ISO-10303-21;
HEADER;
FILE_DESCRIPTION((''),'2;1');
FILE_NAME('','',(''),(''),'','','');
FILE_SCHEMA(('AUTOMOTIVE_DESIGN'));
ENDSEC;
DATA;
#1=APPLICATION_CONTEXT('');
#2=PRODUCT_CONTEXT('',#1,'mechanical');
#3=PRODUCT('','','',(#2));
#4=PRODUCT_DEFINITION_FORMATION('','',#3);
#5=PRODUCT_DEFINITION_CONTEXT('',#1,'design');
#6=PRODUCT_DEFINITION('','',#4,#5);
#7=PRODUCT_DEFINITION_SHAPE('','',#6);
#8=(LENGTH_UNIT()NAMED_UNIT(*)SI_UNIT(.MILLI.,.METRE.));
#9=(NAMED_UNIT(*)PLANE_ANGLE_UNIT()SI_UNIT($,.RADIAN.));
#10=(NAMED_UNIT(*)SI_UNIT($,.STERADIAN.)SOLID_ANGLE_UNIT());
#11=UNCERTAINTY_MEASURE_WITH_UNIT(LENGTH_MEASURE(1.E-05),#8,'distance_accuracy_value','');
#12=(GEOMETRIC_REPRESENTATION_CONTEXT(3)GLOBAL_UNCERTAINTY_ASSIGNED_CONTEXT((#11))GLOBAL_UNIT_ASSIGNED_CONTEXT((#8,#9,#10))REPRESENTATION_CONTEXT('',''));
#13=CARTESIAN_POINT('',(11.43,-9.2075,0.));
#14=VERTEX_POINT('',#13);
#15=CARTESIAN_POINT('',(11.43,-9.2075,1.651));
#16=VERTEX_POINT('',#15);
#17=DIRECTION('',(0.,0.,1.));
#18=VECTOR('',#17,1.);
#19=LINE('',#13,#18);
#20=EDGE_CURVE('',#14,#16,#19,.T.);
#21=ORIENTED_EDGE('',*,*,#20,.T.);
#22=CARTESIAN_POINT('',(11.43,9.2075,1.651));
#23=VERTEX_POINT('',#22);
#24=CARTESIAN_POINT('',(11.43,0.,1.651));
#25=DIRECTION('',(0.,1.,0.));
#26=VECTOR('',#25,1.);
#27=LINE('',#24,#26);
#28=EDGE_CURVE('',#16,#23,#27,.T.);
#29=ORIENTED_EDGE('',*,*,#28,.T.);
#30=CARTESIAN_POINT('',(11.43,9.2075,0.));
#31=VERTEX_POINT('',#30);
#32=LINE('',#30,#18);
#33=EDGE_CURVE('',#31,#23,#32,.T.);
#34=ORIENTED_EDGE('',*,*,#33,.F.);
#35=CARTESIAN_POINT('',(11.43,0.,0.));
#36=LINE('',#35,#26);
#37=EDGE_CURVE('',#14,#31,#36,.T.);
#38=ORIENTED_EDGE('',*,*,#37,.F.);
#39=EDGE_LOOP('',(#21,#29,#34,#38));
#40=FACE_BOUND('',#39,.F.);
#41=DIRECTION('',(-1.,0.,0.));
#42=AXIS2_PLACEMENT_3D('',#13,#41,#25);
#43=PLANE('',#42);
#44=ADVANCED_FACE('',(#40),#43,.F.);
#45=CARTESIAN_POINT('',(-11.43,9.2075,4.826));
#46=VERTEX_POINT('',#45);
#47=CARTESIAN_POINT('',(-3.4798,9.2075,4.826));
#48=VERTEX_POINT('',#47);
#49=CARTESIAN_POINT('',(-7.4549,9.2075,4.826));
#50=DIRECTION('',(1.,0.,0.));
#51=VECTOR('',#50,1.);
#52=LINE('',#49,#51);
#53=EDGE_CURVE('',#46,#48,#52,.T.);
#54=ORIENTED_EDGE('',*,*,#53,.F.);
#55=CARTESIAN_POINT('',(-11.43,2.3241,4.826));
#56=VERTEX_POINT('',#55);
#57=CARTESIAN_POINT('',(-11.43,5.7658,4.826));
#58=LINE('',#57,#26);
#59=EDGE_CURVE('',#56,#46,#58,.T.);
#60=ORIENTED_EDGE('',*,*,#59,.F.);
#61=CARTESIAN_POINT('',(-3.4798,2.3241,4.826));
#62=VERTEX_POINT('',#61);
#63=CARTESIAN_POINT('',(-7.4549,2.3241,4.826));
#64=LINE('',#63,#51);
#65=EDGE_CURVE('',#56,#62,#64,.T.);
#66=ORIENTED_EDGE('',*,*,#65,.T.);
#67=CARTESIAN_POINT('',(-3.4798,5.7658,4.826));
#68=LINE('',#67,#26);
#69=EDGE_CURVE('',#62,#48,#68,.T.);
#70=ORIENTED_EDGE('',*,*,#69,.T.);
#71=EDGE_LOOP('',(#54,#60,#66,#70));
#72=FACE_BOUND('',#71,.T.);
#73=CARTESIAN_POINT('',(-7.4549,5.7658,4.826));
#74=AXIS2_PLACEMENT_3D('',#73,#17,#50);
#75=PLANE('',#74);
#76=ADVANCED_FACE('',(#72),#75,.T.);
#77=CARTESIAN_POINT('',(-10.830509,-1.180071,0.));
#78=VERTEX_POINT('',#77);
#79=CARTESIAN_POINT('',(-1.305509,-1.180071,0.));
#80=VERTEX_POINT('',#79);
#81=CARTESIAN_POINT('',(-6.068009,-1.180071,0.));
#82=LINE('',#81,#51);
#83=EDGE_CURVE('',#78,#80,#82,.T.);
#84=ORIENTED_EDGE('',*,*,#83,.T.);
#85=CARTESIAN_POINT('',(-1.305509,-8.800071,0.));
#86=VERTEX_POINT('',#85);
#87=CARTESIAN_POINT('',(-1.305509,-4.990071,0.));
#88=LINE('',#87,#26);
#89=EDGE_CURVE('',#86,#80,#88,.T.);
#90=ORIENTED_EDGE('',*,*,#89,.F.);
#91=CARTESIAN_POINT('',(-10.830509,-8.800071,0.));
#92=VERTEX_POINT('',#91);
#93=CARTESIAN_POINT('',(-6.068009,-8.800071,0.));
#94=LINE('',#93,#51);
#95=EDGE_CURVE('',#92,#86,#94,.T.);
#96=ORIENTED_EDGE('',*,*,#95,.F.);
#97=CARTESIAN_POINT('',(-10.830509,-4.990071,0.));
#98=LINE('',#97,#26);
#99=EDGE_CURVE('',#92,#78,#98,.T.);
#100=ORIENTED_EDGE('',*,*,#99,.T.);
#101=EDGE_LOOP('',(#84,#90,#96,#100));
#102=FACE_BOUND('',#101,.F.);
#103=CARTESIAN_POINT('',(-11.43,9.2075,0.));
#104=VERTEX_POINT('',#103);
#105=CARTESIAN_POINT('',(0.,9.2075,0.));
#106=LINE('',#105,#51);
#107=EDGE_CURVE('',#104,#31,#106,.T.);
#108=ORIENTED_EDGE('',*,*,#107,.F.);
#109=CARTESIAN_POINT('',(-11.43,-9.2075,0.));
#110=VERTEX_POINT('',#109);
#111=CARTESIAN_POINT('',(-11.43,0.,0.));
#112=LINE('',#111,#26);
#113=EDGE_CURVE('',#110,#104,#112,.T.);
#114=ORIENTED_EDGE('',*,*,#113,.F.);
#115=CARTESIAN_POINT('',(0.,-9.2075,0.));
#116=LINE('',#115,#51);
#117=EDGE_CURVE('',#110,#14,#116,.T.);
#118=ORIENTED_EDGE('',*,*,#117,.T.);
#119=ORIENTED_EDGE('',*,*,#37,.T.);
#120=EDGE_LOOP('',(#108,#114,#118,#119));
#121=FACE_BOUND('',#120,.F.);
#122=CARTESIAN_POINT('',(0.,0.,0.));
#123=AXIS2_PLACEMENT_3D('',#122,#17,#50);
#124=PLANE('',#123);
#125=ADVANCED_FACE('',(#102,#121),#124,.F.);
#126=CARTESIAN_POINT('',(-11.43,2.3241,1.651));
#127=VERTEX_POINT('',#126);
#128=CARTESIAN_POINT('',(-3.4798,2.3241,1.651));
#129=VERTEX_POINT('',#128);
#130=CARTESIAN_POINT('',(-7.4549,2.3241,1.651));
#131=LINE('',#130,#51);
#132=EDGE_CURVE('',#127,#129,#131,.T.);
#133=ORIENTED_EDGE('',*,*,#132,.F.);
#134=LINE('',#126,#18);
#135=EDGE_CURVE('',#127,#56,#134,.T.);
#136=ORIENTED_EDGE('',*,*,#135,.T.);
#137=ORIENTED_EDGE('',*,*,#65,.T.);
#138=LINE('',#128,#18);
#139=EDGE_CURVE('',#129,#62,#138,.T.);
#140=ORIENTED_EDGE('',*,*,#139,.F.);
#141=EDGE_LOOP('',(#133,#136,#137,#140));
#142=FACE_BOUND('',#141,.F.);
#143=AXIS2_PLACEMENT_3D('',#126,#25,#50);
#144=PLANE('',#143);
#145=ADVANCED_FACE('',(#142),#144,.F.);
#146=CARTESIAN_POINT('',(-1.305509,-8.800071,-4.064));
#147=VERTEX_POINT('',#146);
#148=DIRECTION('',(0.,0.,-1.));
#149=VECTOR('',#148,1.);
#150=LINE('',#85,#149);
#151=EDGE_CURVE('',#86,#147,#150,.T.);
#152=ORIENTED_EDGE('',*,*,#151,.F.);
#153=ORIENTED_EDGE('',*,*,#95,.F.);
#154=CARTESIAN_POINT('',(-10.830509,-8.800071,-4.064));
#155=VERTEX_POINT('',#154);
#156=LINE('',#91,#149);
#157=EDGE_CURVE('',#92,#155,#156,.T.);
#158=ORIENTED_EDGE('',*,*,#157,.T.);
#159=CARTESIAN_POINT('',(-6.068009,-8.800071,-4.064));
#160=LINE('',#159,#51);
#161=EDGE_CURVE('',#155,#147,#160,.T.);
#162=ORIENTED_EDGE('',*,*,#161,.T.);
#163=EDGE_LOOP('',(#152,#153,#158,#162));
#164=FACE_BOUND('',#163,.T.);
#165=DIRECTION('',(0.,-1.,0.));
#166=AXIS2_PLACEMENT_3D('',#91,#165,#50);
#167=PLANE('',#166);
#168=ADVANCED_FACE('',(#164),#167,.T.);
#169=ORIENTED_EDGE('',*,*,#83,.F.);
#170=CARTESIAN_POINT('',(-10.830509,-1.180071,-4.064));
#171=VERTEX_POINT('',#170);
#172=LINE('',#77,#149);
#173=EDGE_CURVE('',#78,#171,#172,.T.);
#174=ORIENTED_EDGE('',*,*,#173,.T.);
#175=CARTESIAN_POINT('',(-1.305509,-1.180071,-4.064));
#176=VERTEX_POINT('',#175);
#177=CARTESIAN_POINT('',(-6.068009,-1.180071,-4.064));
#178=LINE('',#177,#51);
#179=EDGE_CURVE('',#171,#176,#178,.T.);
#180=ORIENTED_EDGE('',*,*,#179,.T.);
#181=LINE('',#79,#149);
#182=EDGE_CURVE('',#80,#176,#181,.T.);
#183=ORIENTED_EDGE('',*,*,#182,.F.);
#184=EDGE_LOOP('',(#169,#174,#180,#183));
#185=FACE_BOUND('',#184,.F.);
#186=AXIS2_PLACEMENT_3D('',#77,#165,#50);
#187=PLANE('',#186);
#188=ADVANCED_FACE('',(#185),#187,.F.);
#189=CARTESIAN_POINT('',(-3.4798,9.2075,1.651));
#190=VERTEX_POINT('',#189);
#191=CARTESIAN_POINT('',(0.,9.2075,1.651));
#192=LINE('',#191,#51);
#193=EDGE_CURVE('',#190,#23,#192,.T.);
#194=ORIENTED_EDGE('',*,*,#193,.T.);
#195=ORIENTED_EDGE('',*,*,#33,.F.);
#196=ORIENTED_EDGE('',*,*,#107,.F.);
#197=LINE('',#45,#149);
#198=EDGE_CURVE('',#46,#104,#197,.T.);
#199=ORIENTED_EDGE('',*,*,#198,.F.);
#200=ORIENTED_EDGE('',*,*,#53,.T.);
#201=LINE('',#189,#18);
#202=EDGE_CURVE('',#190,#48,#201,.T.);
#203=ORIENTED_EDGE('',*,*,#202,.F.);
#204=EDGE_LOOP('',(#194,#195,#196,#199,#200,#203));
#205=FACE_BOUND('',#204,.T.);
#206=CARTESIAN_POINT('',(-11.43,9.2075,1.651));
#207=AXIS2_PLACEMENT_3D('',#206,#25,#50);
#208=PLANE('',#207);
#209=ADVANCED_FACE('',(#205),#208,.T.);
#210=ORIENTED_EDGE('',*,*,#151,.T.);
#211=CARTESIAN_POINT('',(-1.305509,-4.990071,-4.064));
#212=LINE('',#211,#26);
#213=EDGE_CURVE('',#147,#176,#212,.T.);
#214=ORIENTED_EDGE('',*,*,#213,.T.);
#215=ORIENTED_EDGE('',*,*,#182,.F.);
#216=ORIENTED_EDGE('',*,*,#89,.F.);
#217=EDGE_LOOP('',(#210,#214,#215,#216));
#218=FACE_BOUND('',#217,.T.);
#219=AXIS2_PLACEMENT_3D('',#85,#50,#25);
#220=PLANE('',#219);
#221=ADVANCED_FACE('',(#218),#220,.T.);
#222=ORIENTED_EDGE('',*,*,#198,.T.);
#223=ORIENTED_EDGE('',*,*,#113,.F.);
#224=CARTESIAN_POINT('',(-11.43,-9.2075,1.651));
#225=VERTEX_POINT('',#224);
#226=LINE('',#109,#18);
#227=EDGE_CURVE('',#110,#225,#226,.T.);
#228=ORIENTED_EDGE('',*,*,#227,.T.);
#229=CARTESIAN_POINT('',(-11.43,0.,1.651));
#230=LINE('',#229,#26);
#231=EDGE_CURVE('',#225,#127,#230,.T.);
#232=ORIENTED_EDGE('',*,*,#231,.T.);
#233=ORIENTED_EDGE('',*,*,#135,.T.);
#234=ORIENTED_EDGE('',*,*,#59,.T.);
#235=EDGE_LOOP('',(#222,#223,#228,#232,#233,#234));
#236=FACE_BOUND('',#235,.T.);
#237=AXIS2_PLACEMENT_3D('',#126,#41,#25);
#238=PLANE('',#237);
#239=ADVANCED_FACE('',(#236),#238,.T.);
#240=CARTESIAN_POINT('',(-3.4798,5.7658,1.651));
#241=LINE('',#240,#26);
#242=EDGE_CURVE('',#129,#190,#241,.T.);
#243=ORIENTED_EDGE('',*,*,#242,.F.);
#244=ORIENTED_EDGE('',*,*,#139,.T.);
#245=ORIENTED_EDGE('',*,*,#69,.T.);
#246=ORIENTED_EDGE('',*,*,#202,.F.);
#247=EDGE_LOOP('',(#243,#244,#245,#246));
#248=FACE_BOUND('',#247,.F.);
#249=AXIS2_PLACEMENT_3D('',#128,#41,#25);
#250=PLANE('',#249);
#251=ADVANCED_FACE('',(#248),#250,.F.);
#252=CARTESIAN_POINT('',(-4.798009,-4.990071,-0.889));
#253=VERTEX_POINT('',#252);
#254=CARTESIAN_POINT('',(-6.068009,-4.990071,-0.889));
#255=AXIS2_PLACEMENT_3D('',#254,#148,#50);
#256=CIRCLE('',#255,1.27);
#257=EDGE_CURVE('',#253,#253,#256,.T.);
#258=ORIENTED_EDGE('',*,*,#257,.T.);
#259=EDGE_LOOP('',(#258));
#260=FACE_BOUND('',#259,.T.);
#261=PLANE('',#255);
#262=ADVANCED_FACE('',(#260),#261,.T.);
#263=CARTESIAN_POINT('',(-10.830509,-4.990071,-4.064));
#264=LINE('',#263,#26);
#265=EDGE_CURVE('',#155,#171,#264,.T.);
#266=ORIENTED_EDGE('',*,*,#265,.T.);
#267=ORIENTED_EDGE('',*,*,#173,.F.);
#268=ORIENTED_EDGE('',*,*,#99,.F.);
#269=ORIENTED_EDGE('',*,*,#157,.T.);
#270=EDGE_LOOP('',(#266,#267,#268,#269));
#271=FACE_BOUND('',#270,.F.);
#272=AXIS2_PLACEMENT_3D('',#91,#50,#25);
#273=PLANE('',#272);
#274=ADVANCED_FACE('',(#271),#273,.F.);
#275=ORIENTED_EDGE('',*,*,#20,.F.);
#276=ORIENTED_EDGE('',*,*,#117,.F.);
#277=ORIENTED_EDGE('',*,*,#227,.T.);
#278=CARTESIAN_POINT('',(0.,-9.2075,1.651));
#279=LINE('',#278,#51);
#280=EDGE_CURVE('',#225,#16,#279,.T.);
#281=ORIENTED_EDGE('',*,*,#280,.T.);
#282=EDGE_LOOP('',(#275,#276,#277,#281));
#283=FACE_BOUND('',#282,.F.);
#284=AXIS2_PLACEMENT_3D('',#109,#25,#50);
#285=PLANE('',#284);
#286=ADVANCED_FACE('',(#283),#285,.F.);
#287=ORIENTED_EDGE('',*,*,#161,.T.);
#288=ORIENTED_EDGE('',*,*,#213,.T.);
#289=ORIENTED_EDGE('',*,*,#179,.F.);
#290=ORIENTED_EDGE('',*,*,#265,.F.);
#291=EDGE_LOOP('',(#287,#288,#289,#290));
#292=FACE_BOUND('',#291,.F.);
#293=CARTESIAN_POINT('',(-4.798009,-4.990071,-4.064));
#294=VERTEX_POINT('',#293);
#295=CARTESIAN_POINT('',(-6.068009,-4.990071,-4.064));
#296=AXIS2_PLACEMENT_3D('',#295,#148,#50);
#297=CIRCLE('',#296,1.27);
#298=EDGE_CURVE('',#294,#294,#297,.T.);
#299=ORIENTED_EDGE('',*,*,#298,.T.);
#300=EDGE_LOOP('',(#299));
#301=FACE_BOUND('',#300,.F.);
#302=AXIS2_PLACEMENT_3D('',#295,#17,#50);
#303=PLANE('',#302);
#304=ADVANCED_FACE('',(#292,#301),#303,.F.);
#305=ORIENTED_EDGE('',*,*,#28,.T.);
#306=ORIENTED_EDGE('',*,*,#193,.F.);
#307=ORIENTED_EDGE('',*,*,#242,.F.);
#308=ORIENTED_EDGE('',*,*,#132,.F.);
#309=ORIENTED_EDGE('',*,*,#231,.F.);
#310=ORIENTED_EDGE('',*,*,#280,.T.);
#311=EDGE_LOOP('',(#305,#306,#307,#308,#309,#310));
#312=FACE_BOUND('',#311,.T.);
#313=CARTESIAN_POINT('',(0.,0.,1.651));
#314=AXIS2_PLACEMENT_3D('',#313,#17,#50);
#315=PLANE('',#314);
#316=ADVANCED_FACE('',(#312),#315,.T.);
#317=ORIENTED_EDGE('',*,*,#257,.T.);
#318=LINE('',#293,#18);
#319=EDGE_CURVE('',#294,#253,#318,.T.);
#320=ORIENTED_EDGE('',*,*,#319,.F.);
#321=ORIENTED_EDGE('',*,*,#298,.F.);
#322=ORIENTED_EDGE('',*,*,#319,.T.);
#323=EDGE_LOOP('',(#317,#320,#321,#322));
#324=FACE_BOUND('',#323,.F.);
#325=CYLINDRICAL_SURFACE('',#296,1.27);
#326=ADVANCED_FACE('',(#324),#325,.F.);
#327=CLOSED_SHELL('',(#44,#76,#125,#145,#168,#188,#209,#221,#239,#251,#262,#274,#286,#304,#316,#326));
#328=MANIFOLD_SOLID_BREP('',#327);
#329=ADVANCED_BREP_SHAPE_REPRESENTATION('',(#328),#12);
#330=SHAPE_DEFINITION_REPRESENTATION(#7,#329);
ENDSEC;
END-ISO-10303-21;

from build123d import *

# Parameters (mm, degrees)
F0_W     = 22.86
F0_H     = 18.415
F1_DEPTH = 1.651
F2_W     = 7.9502
F2_H     = 6.8834
F3_DEPTH = 3.175
F4_W     = 9.525
F4_H     = 7.62
F5_DEPTH = 4.064
F6_R     = 1.27
F7_DEPTH = 3.175


with BuildPart() as f1:
    # F0 (on Top) → F1 (new body)
    with BuildSketch(Plane.XY):
        Rectangle(F0_W, F0_H)
    extrude(amount=F1_DEPTH)

    # F2 (on face) → F3 (join)
    with BuildSketch(Plane.XY.offset(1.651)):
        with Locations((-7.4549, 5.7658)):
            Rectangle(F2_W, F2_H)
    extrude(amount=F3_DEPTH)

    # F4 (on Top) → F5 (join)
    with BuildSketch(Plane.XY):
        with Locations((-6.068009, -4.990071)):
            Rectangle(F4_W, F4_H)
    extrude(amount=-F5_DEPTH)

    # F6 (on face) → F7 (cut)
    with BuildSketch(Plane(origin=(0, 0, -4.064), x_dir=(1, 0, 0), z_dir=(0, 0, -1))):
        with Locations((-6.068009, 4.990071)):
            Circle(F6_R)
    extrude(amount=-F7_DEPTH, mode=Mode.SUBTRACT)


solid = f1.part
